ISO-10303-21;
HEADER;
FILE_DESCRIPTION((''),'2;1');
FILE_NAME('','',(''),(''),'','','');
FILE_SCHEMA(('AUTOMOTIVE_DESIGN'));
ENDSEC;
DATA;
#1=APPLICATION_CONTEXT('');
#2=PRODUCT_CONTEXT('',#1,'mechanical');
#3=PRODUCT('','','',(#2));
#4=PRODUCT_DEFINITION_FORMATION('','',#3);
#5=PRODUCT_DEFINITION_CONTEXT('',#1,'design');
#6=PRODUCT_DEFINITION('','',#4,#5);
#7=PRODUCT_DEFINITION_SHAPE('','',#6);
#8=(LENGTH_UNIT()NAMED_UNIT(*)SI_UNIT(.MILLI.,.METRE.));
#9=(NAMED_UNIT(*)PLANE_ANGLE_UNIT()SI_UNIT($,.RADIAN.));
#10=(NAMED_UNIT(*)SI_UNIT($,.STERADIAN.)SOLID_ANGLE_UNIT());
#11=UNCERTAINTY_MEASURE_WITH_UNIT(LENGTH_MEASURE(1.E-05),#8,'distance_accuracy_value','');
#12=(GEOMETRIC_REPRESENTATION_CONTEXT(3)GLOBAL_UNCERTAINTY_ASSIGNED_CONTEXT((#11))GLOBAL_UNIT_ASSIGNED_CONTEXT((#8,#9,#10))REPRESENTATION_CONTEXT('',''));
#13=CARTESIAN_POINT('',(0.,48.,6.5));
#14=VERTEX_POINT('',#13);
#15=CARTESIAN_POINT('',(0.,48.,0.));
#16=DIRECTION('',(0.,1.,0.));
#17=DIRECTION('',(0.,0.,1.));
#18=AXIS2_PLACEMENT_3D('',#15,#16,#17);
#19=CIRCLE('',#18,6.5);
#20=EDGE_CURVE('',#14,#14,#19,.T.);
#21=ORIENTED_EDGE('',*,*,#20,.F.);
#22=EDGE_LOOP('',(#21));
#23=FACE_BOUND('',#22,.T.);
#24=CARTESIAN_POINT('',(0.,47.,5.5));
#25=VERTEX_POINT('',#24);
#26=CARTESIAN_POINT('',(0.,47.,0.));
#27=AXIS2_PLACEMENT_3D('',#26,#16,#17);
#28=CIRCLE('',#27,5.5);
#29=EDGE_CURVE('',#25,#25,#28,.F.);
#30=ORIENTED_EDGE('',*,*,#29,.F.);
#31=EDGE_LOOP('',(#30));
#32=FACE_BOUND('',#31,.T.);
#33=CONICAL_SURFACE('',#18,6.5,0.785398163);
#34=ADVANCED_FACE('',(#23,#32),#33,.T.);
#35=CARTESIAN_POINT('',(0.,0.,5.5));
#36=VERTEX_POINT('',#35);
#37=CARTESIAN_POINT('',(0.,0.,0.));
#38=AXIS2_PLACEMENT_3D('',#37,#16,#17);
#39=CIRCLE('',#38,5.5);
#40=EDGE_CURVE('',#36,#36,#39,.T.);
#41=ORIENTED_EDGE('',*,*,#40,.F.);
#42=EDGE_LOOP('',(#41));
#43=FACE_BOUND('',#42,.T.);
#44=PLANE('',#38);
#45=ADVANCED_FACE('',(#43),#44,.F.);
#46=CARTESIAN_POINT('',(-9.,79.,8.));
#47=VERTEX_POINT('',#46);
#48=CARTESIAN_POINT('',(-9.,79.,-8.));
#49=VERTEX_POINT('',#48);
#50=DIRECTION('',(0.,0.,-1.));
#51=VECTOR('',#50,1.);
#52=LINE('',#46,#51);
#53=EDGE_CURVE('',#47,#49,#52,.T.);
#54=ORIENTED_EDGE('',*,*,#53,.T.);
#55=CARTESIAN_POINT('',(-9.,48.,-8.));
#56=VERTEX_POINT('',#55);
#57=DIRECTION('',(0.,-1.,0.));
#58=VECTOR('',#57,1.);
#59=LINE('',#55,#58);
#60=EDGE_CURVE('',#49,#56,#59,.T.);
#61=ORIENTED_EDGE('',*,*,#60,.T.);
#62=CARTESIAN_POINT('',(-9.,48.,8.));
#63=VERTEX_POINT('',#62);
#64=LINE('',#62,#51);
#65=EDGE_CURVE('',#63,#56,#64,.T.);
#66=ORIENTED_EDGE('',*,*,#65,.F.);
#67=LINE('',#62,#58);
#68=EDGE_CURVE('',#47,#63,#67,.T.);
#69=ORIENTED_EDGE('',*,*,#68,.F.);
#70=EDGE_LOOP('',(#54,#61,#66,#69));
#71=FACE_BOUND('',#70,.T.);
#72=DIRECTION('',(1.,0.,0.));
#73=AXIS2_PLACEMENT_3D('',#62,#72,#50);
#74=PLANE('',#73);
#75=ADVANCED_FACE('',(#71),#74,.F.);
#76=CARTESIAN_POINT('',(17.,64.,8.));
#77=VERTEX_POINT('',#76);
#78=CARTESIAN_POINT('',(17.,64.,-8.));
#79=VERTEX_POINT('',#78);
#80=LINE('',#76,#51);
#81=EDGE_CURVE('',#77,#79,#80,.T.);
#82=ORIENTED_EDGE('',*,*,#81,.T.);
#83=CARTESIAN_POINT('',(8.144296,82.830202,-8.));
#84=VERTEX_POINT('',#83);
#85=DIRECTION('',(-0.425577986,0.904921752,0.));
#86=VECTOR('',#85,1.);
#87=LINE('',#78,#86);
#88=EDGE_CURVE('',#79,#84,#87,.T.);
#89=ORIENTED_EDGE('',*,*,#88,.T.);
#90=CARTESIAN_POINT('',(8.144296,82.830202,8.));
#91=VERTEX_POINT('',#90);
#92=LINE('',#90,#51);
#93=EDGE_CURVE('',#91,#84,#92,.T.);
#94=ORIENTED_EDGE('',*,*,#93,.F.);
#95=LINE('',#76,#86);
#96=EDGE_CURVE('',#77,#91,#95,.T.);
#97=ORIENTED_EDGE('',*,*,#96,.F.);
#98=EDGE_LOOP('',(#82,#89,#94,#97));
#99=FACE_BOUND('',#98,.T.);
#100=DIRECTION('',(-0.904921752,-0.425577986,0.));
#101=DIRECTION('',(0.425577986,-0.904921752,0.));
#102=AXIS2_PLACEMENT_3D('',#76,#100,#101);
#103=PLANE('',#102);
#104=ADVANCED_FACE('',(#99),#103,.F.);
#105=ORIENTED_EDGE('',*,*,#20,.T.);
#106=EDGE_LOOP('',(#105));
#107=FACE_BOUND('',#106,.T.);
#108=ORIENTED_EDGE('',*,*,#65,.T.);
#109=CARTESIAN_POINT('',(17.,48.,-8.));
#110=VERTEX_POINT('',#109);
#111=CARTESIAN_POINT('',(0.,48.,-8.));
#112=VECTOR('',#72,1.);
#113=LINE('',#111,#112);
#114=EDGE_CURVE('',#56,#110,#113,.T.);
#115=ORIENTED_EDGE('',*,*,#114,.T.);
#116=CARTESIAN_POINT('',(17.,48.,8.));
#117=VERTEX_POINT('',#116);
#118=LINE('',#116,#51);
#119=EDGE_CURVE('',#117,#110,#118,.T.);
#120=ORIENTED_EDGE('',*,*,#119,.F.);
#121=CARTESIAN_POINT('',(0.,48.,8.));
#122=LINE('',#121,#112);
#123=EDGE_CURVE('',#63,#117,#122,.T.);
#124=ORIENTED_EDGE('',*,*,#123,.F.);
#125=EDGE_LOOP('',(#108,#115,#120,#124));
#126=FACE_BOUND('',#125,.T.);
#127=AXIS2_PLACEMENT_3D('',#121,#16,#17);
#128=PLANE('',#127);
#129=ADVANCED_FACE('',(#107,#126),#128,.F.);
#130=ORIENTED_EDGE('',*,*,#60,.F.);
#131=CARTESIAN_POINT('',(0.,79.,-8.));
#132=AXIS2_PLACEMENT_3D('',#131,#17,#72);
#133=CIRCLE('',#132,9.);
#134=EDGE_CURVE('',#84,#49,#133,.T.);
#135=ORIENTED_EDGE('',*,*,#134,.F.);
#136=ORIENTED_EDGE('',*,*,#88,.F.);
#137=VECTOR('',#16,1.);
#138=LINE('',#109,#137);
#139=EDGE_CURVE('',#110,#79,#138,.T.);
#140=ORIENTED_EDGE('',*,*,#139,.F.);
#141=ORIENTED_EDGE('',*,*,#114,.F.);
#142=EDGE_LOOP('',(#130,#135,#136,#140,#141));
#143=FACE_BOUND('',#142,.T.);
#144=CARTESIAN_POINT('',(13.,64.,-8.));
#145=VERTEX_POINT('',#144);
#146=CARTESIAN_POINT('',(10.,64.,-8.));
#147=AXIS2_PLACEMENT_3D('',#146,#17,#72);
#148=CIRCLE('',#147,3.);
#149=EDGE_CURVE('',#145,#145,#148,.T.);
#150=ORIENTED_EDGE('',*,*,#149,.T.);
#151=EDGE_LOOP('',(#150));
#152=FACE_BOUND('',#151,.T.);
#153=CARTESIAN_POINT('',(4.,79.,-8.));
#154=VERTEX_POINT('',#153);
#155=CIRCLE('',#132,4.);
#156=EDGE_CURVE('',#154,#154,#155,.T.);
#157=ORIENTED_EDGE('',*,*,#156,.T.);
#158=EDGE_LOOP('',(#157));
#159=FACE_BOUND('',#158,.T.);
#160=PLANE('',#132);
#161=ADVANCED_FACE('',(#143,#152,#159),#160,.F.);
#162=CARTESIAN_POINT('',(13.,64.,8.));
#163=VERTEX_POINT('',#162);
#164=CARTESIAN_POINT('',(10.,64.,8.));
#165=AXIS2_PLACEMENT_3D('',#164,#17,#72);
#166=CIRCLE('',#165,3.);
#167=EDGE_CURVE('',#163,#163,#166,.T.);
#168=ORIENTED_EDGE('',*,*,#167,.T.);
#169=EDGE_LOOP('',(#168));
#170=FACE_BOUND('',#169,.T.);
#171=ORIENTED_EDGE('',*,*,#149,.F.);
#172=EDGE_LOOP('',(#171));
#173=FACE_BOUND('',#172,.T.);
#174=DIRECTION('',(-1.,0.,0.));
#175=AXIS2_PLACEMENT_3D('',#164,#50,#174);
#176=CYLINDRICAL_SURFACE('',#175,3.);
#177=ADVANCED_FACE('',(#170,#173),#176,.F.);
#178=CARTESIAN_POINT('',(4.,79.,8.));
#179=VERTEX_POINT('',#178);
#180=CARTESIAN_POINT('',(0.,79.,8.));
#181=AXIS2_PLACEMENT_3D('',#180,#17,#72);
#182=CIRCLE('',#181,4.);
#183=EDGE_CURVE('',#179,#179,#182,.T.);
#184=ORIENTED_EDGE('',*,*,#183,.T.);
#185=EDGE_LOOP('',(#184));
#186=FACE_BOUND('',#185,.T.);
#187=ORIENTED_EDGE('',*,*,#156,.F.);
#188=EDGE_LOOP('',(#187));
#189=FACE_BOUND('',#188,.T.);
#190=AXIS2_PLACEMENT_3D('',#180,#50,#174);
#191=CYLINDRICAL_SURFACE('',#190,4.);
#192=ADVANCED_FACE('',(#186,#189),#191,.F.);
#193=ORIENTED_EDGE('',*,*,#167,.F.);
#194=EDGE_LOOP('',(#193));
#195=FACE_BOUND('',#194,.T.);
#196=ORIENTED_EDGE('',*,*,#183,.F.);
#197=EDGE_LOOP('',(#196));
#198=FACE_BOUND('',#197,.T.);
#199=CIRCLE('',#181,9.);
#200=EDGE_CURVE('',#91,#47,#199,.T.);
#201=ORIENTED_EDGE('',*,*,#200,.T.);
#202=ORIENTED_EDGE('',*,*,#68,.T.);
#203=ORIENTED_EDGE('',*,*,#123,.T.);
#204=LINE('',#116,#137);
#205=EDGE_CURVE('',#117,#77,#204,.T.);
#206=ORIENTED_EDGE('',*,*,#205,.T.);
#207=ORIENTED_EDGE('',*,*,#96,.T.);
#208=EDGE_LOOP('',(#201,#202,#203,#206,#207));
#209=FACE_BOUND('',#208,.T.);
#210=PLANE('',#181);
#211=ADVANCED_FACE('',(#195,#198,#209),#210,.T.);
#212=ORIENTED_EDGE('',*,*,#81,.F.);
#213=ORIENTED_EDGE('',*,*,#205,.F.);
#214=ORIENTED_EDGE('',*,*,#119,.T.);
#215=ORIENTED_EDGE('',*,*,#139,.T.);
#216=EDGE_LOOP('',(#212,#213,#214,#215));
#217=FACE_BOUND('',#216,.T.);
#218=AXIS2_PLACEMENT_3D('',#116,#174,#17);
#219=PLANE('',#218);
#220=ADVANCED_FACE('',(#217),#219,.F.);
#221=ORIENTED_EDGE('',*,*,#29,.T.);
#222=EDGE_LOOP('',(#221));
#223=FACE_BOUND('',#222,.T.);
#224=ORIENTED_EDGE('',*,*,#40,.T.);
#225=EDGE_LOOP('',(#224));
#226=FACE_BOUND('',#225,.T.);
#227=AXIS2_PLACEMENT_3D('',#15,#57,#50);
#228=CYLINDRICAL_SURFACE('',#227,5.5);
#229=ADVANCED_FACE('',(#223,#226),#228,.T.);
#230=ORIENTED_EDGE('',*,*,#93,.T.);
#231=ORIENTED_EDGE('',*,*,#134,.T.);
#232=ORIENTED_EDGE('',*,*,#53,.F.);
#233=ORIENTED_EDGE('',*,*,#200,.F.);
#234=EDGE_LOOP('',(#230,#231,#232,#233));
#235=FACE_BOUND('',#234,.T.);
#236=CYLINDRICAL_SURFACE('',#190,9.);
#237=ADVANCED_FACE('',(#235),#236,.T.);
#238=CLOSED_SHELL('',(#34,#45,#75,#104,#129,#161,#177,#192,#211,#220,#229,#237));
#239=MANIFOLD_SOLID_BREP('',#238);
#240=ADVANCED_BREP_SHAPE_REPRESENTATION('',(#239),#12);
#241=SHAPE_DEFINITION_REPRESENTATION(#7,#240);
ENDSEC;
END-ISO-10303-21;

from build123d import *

# Parameters (mm, degrees)
SKETCH1_R           = 5.5
BOSS_EXTRUDE1_DEPTH = 48
SKETCH3_R           = 4
SKETCH3_R_2         = 3
BOSS_EXTRUDE2_DEPTH = 8
CHAMFER1_SIZE       = 1


with BuildPart() as part:
    # Sketch1 → Boss-Extrude1 (new body)
    with BuildSketch(Plane(origin=(0, 0, 0), x_dir=(1, 0, 0), z_dir=(0, 1, 0))):
        with Locations(Location((0, 0, 0), (0, 0, 270))):
            Circle(SKETCH1_R)
    extrude(amount=BOSS_EXTRUDE1_DEPTH)

    # Sketch3 → Boss-Extrude2 (add, symmetric)
    with BuildSketch(Plane.XY):
        with BuildLine():
            Line((0, 48), (17, 48))
            Line((17, 48), (17, 64))
            Line((17, 64), (8.144295771, 82.830201874))
            ThreePointArc((8.144295771, 82.830201874), (-1.962312164, 87.783469188), (-9, 79))
            Line((-9, 79), (-9, 48))
            Line((-9, 48), (0, 48))
        make_face()
        with Locations((0, 79)):
            Circle(SKETCH3_R, mode=Mode.SUBTRACT)
        with Locations((10, 64)):
            Circle(SKETCH3_R_2, mode=Mode.SUBTRACT)
    extrude(amount=BOSS_EXTRUDE2_DEPTH, both=True)

    # Chamfer1
    chamfer1_edges = [part.edges().sort_by_distance(p)[0] for p in [
        (0, 48, -5.5),
    ]]
    chamfer(chamfer1_edges, length=CHAMFER1_SIZE)


solid = part.part
